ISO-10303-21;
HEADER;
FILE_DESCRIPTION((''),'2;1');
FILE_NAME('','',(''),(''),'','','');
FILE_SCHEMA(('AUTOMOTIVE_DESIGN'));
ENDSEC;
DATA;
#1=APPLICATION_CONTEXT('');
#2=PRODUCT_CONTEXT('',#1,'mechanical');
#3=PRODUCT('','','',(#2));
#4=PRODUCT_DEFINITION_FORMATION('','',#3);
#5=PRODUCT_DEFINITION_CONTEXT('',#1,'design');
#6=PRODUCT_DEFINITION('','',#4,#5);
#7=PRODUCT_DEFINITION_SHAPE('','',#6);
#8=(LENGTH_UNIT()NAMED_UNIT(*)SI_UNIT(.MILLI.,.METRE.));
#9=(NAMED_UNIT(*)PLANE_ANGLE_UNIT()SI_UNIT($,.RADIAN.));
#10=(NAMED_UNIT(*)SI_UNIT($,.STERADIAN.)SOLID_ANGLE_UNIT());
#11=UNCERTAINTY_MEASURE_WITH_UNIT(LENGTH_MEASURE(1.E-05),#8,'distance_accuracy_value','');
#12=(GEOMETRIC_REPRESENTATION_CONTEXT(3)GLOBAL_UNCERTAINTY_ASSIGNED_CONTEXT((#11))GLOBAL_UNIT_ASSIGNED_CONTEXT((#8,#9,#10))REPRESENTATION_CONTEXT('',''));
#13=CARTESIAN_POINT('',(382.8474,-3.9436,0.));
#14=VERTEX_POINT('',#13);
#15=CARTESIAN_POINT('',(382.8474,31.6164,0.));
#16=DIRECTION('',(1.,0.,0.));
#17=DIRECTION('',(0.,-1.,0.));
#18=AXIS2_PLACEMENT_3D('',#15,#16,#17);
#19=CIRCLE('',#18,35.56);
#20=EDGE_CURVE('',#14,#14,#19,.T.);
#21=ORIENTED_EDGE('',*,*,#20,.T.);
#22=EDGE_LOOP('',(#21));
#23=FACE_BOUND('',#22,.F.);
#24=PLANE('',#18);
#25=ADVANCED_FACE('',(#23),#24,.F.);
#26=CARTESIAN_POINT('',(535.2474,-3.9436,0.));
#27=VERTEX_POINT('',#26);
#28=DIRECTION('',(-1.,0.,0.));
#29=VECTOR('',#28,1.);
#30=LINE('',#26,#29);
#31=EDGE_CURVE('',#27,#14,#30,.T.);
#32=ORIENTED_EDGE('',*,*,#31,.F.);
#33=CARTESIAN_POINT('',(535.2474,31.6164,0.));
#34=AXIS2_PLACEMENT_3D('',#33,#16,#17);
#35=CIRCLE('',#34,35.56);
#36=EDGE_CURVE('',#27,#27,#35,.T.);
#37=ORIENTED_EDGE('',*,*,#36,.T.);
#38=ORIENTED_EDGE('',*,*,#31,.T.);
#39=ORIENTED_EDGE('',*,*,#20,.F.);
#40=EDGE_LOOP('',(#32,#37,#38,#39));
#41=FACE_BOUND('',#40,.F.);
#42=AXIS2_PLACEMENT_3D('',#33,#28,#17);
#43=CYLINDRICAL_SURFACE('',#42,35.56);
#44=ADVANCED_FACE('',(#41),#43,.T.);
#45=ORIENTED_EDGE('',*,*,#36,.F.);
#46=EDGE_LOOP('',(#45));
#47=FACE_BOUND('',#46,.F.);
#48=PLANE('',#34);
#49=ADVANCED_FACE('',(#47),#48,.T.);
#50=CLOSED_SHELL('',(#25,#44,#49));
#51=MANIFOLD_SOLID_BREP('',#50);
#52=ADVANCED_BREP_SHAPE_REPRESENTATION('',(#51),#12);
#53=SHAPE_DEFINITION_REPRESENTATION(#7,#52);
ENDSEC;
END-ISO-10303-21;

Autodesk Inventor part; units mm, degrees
ref_plane "YZ Plane" through (0, 0, 0) normal (1, 0, 0) x (0, 1, 0)
ref_plane "XZ Plane" through (0, 0, 0) normal (0, 1, 0) x (-1, 0, 0)
ref_plane "XY Plane" through (0, 0, 0) normal (0, 0, 1) x (1, 0, 0)
sketch "Sketch1" plane through (0, 0, 0) normal (0, 0, 1) x (1, 0, 0)
  line L0 (382.8474, 31.6164) -> (535.2474, 31.6164)
  line L1 (535.2474, 31.6164) -> (535.2474, -3.9436)
  line L2 (535.2474, -3.9436) -> (382.8474, -3.9436)
  line L3 (382.8474, -3.9436) -> (382.8474, 31.6164)
  line L4 (382.1049, -3.9436) -> (78.4098, -3.9436)
  line L5 (-303.6951, -3.9436) -> (0, 0)
  dimension "d0" = 152.4
  dimension "d1" = 35.56
  dimension "d7" = 303.6951
  dimension "d8" = 303.6951
revolve "Revolution1" add sketch "Sketch1" angle 360 about axis through (382.8474, 31.6164, 0) along (1, 0, 0)
sketch "Sketch2" plane through (535.2474, 31.6164, 0) normal (1, 0, 0) x (0, 0, -1)
  line L0 (-76.2, 0) -> (76.2, 0)
  point P0 (0, -31.6164)
revolve "Revolution2" [suppressed]
sketch "Sketch3" plane through (382.8474, 31.6164, 0) normal (-1, 0, 0) x (0, 0, 1)
  line L0 (-76.2, 0) -> (76.2, 0)
  point P0 (0, -31.6164)
revolve "Revolution3" [suppressed]
properties part number "Bar-1"
